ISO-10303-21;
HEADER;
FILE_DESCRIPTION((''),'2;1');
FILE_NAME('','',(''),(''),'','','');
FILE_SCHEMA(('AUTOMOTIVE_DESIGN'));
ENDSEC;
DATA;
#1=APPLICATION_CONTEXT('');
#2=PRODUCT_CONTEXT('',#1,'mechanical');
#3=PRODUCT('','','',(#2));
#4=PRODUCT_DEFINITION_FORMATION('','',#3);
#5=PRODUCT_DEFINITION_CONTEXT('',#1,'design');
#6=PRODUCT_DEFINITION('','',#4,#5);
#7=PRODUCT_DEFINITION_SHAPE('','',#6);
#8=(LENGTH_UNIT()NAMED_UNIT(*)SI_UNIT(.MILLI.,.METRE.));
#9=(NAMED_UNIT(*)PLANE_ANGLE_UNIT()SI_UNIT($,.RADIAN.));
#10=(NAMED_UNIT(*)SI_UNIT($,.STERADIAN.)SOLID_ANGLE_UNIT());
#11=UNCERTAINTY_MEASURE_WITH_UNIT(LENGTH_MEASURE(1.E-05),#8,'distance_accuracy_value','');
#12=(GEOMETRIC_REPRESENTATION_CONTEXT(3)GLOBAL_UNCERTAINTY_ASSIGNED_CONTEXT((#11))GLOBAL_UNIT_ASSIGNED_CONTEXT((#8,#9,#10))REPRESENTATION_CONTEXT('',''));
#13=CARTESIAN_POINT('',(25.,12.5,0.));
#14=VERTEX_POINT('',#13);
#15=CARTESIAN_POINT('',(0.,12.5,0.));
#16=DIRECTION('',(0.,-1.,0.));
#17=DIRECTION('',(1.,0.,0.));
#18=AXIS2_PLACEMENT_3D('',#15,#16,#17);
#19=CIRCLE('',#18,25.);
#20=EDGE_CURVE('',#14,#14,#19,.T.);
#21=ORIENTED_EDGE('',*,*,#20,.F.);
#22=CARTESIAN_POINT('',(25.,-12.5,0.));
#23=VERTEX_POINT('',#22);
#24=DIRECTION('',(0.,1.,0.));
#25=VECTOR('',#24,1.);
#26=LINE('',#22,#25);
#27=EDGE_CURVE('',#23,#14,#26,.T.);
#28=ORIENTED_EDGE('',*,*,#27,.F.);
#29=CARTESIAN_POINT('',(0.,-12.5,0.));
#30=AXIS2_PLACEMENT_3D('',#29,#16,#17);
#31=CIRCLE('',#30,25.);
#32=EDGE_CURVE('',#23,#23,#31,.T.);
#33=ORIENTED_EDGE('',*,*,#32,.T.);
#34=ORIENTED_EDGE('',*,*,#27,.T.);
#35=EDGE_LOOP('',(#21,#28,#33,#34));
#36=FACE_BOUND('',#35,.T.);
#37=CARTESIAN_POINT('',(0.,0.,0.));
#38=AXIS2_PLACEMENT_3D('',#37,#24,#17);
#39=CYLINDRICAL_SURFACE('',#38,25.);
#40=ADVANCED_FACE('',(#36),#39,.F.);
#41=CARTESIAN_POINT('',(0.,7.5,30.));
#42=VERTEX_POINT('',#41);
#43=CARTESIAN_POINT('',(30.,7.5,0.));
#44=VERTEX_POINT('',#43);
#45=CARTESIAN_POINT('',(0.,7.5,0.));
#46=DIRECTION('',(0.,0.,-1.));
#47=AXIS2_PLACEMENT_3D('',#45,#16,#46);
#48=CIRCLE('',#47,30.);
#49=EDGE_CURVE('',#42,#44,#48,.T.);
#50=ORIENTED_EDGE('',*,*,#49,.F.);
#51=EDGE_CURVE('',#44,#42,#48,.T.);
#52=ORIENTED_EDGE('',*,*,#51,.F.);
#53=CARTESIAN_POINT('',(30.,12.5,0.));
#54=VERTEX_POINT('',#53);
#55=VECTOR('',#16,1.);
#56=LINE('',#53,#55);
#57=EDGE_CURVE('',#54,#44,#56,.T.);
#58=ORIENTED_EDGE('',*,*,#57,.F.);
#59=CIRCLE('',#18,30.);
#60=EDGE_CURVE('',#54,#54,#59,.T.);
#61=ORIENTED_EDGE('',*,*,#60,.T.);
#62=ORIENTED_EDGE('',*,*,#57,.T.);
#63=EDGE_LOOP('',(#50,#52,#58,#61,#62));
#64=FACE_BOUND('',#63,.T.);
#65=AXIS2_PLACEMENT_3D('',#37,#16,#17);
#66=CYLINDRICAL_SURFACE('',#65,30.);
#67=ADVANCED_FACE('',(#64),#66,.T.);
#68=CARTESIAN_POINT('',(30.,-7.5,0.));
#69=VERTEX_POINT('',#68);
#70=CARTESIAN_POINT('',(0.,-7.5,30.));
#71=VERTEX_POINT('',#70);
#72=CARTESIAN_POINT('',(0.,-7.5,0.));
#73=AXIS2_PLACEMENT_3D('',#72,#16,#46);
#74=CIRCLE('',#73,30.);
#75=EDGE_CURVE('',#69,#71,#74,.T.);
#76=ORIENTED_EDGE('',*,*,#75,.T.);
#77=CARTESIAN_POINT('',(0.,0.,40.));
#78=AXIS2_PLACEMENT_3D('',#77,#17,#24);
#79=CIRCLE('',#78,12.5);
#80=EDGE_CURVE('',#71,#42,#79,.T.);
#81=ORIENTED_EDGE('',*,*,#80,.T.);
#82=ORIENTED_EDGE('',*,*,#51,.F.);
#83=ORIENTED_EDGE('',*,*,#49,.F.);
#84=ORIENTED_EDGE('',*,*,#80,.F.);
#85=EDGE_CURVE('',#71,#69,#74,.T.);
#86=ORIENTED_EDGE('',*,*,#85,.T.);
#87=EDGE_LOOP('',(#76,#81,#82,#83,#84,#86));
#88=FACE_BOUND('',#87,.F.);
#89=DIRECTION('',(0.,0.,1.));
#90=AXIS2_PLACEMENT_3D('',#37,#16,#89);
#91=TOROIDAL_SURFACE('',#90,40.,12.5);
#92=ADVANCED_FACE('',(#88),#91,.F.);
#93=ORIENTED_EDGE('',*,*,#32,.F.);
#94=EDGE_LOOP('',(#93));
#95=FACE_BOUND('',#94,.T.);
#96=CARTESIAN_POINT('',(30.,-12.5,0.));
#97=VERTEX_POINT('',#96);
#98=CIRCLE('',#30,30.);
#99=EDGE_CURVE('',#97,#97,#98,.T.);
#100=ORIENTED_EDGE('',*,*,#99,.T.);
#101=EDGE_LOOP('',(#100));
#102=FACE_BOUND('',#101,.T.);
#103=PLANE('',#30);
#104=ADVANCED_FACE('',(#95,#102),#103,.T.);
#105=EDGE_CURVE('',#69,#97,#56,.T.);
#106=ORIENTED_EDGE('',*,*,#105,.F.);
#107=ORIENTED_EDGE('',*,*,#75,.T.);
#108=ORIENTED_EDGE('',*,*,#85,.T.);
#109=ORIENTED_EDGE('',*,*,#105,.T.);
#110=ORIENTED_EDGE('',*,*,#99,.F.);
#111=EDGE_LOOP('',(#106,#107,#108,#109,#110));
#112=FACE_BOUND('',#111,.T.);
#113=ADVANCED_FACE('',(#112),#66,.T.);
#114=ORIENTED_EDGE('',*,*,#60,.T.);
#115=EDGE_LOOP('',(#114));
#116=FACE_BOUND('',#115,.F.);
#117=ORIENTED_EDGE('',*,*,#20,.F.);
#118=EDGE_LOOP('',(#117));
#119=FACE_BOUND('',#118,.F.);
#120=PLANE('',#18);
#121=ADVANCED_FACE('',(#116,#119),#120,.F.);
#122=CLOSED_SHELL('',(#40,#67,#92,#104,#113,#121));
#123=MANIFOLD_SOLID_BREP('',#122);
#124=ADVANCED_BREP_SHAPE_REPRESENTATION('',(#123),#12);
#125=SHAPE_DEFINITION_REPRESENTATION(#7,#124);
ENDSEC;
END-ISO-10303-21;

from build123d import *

# Parameters (mm, degrees)
F0_R     = 30
F0_R_2   = 25
F1_DEPTH = 12.5
F2_R     = 12.5


with BuildPart() as f1:
    # F0 (on Front) → F1 (new body, symmetric)
    with BuildSketch(Plane.XZ):
        Circle(F0_R)
        Circle(F0_R_2, mode=Mode.SUBTRACT)
    extrude(amount=F1_DEPTH, both=True)

    # F2 (on Right) → F3 (revolve, cut)
    with BuildSketch(Plane.YZ):
        with Locations((0, 40)):
            Circle(F2_R)
    revolve(axis=Axis((0, 0, 0), (0, -1, 0)), mode=Mode.SUBTRACT)


solid = f1.part
